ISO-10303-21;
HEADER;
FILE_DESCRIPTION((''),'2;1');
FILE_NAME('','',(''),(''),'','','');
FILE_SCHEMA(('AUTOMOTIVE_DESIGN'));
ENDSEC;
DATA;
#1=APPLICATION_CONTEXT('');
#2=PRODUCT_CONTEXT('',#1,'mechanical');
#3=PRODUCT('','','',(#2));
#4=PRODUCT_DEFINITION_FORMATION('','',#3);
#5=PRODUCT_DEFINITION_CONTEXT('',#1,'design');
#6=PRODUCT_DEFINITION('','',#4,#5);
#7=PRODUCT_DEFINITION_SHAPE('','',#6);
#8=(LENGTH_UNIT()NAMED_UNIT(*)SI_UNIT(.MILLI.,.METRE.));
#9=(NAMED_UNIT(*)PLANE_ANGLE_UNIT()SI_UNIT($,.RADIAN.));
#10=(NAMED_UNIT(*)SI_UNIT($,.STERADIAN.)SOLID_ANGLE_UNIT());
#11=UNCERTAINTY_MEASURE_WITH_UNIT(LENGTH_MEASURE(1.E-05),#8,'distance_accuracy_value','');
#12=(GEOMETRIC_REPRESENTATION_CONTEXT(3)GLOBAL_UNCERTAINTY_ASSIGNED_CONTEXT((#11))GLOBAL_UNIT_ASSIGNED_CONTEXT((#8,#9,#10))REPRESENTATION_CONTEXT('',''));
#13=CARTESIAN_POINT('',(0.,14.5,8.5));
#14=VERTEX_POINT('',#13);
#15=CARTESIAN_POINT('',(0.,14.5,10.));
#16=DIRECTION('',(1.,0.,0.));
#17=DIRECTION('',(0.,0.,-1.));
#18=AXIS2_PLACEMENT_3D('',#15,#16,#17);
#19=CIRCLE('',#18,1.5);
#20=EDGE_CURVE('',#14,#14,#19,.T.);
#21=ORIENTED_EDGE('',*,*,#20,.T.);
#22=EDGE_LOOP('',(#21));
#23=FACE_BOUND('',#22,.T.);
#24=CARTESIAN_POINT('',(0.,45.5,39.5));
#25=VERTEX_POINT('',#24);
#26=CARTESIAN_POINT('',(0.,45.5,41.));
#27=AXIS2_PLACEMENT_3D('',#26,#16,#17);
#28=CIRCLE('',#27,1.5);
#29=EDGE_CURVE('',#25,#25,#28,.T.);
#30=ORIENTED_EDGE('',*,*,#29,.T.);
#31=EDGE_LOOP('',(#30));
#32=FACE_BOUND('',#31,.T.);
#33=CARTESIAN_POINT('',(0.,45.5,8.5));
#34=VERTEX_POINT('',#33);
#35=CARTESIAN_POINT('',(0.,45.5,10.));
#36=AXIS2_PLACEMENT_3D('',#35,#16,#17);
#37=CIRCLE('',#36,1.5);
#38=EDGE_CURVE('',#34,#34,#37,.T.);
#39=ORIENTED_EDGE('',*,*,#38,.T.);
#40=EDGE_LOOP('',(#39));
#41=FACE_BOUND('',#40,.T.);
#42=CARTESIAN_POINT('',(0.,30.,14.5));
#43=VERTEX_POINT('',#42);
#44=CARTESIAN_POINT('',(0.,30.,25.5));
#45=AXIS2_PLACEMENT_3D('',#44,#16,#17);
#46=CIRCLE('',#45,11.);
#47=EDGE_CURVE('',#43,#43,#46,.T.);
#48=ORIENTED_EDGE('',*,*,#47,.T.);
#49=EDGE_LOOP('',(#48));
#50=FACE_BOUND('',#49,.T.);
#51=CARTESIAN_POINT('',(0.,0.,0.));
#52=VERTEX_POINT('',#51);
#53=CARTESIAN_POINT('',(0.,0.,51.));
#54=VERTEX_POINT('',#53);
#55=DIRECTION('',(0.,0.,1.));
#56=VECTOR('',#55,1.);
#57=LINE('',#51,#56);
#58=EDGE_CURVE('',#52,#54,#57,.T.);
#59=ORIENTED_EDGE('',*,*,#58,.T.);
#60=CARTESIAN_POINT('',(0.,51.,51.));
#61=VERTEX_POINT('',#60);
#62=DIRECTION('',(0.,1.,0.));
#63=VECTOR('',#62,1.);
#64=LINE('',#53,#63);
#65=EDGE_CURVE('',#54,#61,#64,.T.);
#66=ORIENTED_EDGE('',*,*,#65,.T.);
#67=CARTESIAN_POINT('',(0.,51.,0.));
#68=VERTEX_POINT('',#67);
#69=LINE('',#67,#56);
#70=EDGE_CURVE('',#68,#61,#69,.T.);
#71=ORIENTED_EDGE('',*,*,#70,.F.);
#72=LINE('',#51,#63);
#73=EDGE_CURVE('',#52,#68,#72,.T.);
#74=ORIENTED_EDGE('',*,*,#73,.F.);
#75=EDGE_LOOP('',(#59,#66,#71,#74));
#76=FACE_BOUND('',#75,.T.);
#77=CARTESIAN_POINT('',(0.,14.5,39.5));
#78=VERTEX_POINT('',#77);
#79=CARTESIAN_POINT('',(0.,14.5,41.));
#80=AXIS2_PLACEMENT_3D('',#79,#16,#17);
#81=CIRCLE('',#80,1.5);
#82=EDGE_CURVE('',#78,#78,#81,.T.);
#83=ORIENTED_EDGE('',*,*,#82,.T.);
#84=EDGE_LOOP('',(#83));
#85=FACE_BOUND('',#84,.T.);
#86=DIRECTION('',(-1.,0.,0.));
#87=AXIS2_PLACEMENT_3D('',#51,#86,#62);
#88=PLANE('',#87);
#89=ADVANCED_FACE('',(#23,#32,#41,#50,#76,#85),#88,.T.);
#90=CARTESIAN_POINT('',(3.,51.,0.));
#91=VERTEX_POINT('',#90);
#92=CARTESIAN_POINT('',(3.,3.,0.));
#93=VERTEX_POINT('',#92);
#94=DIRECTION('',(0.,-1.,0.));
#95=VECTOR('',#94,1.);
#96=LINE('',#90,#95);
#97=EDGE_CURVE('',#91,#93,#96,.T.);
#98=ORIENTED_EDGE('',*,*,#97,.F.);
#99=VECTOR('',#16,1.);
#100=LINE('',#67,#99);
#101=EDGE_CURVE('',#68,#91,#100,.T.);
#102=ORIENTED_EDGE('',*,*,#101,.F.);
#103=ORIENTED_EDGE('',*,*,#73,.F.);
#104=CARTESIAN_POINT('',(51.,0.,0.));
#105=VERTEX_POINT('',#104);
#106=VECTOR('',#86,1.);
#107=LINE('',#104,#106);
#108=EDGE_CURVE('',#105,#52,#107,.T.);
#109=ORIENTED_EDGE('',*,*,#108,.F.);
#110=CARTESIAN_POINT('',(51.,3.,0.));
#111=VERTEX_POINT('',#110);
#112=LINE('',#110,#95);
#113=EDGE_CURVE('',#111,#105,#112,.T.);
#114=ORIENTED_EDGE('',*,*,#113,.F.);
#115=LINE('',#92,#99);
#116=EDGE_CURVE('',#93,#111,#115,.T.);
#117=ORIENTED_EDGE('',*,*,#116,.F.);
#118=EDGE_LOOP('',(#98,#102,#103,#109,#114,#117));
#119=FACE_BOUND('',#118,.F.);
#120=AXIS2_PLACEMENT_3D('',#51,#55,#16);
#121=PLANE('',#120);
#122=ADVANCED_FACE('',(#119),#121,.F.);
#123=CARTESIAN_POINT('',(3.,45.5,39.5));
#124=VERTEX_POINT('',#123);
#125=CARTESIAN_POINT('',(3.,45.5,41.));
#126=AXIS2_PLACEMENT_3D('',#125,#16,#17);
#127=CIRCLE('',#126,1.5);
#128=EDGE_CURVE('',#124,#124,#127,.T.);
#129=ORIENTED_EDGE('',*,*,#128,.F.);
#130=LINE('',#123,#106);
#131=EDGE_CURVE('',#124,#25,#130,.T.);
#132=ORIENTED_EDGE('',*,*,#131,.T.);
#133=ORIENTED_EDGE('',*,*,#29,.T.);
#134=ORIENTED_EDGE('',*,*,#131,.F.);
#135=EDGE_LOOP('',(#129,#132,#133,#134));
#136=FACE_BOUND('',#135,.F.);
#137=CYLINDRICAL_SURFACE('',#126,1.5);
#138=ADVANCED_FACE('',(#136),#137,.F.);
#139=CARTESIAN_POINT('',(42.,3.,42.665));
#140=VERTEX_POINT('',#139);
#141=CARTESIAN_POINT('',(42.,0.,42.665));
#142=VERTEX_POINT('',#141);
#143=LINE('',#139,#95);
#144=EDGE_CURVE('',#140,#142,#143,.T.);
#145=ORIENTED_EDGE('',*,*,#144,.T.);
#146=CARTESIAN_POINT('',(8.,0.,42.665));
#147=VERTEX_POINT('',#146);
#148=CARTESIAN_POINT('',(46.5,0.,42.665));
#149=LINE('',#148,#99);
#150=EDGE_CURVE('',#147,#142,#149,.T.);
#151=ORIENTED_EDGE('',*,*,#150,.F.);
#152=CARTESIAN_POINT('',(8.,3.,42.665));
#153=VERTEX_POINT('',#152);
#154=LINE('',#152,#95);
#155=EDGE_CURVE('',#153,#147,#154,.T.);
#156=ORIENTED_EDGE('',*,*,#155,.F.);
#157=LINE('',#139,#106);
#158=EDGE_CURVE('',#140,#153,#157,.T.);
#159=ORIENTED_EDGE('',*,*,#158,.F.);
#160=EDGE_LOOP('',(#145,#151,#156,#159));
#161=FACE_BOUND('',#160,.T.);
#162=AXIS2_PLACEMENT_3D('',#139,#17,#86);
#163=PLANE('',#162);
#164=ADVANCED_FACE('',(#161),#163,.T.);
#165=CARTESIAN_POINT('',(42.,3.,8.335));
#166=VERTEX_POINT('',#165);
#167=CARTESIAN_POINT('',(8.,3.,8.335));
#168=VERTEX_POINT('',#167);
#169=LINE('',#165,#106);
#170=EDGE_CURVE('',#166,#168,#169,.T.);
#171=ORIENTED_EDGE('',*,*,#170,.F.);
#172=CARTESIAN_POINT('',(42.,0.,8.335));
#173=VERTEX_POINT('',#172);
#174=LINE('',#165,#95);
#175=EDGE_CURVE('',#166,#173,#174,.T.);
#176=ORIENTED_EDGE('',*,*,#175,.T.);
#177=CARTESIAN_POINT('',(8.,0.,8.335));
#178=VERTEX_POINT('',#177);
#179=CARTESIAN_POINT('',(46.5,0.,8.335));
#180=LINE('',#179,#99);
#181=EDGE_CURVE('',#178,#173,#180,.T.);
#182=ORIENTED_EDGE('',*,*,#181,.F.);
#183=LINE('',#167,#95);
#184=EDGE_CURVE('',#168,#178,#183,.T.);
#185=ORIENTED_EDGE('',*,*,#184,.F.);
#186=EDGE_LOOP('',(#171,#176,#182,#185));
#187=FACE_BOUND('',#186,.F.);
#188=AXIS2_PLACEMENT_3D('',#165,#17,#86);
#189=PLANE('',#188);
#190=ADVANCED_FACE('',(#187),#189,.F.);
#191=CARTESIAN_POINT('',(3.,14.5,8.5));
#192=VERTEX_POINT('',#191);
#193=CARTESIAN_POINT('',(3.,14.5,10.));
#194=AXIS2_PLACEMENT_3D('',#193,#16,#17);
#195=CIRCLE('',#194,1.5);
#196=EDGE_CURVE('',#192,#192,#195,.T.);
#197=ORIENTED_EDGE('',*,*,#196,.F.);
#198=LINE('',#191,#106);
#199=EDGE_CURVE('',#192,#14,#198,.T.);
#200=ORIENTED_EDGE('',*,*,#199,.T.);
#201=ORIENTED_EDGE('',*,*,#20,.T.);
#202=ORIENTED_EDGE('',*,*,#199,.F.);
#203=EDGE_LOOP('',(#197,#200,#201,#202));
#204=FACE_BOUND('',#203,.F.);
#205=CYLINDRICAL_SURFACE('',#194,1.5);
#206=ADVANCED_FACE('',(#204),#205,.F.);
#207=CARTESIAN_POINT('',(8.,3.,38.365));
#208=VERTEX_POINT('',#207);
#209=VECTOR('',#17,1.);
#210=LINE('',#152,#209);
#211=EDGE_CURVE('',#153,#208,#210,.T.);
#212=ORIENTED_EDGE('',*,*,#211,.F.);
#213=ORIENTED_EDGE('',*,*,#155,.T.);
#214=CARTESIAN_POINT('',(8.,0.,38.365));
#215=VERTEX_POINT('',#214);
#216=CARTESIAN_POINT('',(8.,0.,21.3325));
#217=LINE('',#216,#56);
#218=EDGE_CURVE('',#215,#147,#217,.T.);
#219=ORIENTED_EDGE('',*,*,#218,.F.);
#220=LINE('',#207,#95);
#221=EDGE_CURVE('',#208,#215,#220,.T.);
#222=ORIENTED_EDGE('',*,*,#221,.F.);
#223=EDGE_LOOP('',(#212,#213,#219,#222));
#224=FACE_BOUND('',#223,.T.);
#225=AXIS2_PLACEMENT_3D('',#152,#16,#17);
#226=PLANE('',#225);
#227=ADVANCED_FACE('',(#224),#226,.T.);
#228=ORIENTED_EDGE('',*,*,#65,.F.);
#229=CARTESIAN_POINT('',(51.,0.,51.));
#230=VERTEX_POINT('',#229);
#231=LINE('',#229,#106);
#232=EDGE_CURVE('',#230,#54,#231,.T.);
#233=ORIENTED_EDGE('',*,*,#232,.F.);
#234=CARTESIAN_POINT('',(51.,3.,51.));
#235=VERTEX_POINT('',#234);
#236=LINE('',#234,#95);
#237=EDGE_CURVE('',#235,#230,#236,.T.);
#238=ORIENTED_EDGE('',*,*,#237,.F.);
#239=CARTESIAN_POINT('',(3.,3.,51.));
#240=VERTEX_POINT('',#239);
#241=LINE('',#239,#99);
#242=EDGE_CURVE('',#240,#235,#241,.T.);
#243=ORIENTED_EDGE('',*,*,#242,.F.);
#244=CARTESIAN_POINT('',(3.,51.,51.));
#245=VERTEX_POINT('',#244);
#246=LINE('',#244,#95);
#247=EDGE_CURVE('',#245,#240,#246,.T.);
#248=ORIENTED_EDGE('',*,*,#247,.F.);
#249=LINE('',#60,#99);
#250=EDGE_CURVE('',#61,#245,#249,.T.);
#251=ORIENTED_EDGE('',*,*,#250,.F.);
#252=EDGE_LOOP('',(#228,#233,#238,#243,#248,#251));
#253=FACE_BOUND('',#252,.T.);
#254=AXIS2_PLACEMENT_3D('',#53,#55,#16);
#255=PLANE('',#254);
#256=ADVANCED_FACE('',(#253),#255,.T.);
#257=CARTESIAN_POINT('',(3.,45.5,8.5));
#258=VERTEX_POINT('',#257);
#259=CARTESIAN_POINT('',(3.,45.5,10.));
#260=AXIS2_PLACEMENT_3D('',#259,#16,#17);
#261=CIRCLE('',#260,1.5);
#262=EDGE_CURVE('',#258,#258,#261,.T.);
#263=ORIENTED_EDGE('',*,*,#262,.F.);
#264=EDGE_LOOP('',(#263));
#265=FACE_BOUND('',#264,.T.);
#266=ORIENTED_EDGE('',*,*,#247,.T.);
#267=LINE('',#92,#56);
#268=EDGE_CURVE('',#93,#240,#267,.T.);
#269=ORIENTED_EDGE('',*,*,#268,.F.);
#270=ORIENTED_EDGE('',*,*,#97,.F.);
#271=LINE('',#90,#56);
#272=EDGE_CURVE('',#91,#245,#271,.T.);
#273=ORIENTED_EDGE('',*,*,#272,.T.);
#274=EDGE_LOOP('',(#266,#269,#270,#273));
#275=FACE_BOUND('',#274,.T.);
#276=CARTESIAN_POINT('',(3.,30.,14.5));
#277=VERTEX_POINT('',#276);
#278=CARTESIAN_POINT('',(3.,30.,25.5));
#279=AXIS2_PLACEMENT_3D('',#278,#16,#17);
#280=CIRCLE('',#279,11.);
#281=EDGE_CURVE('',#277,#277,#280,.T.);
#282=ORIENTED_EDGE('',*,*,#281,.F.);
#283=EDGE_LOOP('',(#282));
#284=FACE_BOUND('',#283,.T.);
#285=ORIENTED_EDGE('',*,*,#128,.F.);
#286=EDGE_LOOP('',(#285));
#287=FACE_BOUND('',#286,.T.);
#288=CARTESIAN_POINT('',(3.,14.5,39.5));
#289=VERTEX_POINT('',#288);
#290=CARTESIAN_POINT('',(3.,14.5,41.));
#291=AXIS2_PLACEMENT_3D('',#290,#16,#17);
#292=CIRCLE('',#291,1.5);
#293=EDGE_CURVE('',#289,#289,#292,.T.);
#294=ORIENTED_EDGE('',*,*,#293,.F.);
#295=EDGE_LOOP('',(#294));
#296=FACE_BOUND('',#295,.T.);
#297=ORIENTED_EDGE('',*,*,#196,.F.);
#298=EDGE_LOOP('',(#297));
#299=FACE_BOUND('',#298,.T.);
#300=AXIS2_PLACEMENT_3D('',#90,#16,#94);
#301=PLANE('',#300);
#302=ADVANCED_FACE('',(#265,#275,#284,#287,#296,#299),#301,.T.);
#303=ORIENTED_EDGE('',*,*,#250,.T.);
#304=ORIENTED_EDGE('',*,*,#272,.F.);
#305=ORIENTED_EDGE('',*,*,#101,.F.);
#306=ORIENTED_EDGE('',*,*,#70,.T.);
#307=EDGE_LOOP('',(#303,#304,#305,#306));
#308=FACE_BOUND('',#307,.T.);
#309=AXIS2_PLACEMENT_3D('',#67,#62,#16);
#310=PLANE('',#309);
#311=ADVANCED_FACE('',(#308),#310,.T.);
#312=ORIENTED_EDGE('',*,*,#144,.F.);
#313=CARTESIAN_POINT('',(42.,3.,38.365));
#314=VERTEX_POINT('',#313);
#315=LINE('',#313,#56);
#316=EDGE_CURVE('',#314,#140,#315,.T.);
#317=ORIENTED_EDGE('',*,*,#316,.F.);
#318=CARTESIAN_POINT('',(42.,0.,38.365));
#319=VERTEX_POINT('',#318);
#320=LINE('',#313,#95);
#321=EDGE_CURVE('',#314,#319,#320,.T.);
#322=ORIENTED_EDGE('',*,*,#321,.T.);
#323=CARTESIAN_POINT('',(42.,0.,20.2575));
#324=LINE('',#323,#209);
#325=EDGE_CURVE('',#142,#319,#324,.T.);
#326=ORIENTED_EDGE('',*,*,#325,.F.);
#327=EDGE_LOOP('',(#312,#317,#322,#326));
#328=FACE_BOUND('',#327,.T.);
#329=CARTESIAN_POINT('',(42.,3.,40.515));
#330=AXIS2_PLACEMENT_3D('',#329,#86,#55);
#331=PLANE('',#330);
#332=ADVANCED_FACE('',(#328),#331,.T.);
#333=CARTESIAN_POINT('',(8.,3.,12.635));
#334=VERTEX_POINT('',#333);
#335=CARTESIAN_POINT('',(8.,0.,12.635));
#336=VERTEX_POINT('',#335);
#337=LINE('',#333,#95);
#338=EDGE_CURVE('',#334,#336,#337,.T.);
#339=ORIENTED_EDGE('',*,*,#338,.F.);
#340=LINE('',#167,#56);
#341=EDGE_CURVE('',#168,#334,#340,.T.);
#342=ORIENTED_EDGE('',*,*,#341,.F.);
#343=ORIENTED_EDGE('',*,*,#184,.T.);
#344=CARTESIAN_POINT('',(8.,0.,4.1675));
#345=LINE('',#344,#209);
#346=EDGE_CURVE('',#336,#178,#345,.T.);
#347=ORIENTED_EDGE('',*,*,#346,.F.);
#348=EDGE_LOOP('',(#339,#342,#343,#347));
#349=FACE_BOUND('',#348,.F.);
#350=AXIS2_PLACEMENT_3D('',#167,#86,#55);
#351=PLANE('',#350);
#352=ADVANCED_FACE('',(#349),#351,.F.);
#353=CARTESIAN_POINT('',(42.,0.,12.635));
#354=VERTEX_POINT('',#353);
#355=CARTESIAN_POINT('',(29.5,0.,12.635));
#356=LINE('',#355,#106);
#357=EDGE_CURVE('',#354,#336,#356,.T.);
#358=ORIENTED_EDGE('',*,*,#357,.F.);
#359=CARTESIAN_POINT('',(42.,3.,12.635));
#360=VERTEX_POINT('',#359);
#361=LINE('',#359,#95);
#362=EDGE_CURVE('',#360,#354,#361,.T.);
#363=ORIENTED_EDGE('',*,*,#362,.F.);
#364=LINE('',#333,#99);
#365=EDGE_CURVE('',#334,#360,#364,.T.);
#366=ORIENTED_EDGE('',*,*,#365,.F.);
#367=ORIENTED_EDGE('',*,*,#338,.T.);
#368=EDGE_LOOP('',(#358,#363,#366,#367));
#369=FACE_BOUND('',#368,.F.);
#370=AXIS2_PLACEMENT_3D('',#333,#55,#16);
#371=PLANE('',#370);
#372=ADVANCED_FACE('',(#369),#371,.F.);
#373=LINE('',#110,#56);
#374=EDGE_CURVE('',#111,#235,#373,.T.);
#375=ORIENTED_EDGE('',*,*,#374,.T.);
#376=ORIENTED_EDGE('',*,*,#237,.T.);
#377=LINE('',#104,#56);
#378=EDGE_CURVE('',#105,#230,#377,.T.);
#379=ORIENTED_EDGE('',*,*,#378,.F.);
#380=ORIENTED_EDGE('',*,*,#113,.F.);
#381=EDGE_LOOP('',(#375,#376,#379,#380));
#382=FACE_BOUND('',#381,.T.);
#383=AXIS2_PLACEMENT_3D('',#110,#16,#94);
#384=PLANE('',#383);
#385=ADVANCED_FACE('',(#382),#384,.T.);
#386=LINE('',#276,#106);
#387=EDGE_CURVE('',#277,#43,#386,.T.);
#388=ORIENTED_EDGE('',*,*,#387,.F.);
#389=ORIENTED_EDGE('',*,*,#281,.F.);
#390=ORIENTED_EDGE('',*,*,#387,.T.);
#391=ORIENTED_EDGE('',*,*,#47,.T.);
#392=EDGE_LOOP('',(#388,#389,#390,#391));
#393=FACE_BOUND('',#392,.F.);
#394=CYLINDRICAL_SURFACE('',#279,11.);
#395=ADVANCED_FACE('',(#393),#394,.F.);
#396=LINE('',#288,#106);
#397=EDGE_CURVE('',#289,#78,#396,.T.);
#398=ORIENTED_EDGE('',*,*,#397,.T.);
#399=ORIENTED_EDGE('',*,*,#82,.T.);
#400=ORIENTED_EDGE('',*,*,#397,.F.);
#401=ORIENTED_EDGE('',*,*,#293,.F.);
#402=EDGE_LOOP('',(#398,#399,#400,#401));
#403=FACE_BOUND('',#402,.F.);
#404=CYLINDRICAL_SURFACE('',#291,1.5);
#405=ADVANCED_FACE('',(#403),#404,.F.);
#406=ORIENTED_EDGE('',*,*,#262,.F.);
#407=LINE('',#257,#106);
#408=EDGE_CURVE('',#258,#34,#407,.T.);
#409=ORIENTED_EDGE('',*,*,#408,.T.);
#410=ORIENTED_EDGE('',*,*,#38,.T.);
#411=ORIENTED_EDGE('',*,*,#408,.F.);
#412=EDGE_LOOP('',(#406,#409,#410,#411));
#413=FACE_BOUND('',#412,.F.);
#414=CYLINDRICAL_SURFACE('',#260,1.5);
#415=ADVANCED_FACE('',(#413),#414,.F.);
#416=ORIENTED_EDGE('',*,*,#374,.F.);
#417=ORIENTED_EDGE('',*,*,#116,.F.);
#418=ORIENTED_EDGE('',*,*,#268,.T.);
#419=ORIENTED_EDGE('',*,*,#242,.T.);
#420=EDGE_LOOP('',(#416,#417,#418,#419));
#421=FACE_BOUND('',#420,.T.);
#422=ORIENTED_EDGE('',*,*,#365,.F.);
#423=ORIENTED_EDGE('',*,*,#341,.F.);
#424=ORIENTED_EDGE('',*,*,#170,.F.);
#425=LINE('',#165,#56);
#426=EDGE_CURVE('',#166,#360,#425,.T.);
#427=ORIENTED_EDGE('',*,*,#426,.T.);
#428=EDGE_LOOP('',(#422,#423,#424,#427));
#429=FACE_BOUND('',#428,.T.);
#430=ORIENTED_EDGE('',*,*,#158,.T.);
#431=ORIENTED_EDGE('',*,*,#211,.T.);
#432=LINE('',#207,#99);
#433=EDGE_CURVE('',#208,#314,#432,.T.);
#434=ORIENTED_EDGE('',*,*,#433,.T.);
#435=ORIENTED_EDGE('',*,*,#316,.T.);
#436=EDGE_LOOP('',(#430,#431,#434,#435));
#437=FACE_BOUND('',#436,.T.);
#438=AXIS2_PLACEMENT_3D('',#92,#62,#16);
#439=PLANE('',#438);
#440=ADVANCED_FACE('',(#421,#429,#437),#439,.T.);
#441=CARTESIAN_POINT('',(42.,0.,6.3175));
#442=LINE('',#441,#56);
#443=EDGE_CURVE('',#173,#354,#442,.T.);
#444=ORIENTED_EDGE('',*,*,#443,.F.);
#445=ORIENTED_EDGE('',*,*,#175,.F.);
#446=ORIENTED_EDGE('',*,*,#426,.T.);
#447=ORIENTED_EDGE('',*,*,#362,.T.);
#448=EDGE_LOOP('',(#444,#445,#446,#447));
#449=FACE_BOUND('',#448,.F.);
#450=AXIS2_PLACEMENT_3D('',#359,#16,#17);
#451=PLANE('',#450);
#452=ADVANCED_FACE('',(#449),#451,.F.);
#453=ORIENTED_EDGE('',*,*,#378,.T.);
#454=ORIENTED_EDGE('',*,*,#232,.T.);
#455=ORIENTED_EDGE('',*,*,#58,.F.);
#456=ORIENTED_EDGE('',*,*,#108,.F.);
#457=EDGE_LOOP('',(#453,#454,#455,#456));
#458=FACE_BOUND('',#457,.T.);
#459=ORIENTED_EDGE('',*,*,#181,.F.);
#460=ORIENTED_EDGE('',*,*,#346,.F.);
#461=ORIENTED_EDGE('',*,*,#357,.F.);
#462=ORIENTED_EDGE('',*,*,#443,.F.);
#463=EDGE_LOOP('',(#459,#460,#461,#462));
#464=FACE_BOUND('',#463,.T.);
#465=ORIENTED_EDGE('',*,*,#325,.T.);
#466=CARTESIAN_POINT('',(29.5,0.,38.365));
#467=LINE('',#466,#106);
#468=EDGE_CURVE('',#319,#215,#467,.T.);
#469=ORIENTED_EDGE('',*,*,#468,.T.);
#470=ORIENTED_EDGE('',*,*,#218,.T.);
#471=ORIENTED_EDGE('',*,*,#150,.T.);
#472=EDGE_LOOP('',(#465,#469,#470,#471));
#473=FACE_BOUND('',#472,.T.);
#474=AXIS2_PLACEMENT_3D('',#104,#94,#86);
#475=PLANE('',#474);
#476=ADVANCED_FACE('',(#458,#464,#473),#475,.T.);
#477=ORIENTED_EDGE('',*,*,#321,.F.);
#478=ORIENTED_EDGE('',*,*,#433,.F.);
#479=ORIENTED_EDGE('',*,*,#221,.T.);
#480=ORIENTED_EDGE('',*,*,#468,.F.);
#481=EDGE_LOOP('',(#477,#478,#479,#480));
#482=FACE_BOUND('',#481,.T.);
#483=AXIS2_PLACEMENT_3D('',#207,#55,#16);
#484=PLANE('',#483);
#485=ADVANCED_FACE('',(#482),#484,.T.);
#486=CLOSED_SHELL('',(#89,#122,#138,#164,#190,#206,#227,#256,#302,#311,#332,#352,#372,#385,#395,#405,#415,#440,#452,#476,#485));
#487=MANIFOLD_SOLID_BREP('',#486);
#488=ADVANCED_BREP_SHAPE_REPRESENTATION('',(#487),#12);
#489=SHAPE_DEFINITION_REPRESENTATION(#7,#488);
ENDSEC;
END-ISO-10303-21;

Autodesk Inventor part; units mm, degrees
ref_plane "YZ Plane" through (0, 0, 0) normal (1, 0, 0) x (0, 1, 0)
ref_plane "XZ Plane" through (0, 0, 0) normal (0, 1, 0) x (-1, 0, 0)
ref_plane "XY Plane" through (0, 0, 0) normal (0, 0, 1) x (1, 0, 0)
sketch "Sketch1" plane through (0, 0, 0) normal (0, 0, 1) x (1, 0, 0)
  line L0 (0, 0) -> (0, 51)
  line L1 (0, 51) -> (3, 51)
  line L2 (3, 51) -> (3, 3)
  line L3 (3, 3) -> (51, 3)
  line L4 (51, 3) -> (51, 0)
  line L5 (51, 0) -> (0, 0)
  dimension "d0" = 51
  dimension "d1" = 3
  dimension "d2" = 48
  dimension "d3" = 48
extrude "Extrusion1" add sketch "Sketch1" along normal blind 51
sketch "Sketch2" plane through (3, 3, 0) normal (1, 0, 0) x (0, 0, -1)
  line L0 (0, 48) -> (-51, 48) projected
  circle A0 centre (-25.5, 27) radius 11
  circle A1 centre (-41, 42.5) radius 1.5
  circle A2 centre (-10, 42.5) radius 1.5
  circle A3 centre (-10, 11.5) radius 1.5
  circle A4 centre (-41, 11.5) radius 1.5
  point P0 (0, -3)
  dimension "d7" = 22
  dimension "d12" = 3
  dimension "d13" = 3
extrude "Extrusion2" cut sketch "Sketch2" against normal up to surface (3 mm away)
sketch "Sketch3" plane through (3, 3, 0) normal (0, 1, 0) x (1, 0, 0)
  line L0 (48, 0) -> (48, -51) projected
  line L1 (48, -25.5) -> (48, -12.635)
  line L2 (48, -12.635) -> (48, -10.485)
  line L3 (48, -10.485) -> (39, -10.485)
  line L4 (-3, 0) -> (48, 0) projected
  line L5 (39, 0) -> (39, -7.85)
  line L6 (39, 0) -> (46.85, 0) construction
  line L7 (39, -10.485) -> (39, -8.335)
  line L8 (39, -8.335) -> (5, -8.335)
  line L9 (5, -8.335) -> (5, -12.635)
  line L10 (5, -12.635) -> (39, -12.635)
  line L11 (39, -12.635) -> (39, -10.485)
  line L12 (48, -25.5) -> (-0.1529, -25.5)
  line L13 (39, -40.515) -> (39, -42.665)
  line L14 (39, -42.665) -> (5, -42.665)
  line L15 (5, -42.665) -> (5, -38.365)
  line L16 (5, -38.365) -> (39, -38.365)
  line L17 (39, -38.365) -> (39, -40.515)
  point P0 (39, -43.15)
  dimension "d16" = 12.865
  dimension "d17" = 2.15
  dimension "d18" = 9
  dimension "d20" = 7.85
  dimension "d21" = 270
  dimension "d22" = 2.15
  dimension "d23" = 4.3
extrude "Extrusion3" cut sketch "Sketch3" against normal through all
properties part number "Metal_AttachmentBracket"
